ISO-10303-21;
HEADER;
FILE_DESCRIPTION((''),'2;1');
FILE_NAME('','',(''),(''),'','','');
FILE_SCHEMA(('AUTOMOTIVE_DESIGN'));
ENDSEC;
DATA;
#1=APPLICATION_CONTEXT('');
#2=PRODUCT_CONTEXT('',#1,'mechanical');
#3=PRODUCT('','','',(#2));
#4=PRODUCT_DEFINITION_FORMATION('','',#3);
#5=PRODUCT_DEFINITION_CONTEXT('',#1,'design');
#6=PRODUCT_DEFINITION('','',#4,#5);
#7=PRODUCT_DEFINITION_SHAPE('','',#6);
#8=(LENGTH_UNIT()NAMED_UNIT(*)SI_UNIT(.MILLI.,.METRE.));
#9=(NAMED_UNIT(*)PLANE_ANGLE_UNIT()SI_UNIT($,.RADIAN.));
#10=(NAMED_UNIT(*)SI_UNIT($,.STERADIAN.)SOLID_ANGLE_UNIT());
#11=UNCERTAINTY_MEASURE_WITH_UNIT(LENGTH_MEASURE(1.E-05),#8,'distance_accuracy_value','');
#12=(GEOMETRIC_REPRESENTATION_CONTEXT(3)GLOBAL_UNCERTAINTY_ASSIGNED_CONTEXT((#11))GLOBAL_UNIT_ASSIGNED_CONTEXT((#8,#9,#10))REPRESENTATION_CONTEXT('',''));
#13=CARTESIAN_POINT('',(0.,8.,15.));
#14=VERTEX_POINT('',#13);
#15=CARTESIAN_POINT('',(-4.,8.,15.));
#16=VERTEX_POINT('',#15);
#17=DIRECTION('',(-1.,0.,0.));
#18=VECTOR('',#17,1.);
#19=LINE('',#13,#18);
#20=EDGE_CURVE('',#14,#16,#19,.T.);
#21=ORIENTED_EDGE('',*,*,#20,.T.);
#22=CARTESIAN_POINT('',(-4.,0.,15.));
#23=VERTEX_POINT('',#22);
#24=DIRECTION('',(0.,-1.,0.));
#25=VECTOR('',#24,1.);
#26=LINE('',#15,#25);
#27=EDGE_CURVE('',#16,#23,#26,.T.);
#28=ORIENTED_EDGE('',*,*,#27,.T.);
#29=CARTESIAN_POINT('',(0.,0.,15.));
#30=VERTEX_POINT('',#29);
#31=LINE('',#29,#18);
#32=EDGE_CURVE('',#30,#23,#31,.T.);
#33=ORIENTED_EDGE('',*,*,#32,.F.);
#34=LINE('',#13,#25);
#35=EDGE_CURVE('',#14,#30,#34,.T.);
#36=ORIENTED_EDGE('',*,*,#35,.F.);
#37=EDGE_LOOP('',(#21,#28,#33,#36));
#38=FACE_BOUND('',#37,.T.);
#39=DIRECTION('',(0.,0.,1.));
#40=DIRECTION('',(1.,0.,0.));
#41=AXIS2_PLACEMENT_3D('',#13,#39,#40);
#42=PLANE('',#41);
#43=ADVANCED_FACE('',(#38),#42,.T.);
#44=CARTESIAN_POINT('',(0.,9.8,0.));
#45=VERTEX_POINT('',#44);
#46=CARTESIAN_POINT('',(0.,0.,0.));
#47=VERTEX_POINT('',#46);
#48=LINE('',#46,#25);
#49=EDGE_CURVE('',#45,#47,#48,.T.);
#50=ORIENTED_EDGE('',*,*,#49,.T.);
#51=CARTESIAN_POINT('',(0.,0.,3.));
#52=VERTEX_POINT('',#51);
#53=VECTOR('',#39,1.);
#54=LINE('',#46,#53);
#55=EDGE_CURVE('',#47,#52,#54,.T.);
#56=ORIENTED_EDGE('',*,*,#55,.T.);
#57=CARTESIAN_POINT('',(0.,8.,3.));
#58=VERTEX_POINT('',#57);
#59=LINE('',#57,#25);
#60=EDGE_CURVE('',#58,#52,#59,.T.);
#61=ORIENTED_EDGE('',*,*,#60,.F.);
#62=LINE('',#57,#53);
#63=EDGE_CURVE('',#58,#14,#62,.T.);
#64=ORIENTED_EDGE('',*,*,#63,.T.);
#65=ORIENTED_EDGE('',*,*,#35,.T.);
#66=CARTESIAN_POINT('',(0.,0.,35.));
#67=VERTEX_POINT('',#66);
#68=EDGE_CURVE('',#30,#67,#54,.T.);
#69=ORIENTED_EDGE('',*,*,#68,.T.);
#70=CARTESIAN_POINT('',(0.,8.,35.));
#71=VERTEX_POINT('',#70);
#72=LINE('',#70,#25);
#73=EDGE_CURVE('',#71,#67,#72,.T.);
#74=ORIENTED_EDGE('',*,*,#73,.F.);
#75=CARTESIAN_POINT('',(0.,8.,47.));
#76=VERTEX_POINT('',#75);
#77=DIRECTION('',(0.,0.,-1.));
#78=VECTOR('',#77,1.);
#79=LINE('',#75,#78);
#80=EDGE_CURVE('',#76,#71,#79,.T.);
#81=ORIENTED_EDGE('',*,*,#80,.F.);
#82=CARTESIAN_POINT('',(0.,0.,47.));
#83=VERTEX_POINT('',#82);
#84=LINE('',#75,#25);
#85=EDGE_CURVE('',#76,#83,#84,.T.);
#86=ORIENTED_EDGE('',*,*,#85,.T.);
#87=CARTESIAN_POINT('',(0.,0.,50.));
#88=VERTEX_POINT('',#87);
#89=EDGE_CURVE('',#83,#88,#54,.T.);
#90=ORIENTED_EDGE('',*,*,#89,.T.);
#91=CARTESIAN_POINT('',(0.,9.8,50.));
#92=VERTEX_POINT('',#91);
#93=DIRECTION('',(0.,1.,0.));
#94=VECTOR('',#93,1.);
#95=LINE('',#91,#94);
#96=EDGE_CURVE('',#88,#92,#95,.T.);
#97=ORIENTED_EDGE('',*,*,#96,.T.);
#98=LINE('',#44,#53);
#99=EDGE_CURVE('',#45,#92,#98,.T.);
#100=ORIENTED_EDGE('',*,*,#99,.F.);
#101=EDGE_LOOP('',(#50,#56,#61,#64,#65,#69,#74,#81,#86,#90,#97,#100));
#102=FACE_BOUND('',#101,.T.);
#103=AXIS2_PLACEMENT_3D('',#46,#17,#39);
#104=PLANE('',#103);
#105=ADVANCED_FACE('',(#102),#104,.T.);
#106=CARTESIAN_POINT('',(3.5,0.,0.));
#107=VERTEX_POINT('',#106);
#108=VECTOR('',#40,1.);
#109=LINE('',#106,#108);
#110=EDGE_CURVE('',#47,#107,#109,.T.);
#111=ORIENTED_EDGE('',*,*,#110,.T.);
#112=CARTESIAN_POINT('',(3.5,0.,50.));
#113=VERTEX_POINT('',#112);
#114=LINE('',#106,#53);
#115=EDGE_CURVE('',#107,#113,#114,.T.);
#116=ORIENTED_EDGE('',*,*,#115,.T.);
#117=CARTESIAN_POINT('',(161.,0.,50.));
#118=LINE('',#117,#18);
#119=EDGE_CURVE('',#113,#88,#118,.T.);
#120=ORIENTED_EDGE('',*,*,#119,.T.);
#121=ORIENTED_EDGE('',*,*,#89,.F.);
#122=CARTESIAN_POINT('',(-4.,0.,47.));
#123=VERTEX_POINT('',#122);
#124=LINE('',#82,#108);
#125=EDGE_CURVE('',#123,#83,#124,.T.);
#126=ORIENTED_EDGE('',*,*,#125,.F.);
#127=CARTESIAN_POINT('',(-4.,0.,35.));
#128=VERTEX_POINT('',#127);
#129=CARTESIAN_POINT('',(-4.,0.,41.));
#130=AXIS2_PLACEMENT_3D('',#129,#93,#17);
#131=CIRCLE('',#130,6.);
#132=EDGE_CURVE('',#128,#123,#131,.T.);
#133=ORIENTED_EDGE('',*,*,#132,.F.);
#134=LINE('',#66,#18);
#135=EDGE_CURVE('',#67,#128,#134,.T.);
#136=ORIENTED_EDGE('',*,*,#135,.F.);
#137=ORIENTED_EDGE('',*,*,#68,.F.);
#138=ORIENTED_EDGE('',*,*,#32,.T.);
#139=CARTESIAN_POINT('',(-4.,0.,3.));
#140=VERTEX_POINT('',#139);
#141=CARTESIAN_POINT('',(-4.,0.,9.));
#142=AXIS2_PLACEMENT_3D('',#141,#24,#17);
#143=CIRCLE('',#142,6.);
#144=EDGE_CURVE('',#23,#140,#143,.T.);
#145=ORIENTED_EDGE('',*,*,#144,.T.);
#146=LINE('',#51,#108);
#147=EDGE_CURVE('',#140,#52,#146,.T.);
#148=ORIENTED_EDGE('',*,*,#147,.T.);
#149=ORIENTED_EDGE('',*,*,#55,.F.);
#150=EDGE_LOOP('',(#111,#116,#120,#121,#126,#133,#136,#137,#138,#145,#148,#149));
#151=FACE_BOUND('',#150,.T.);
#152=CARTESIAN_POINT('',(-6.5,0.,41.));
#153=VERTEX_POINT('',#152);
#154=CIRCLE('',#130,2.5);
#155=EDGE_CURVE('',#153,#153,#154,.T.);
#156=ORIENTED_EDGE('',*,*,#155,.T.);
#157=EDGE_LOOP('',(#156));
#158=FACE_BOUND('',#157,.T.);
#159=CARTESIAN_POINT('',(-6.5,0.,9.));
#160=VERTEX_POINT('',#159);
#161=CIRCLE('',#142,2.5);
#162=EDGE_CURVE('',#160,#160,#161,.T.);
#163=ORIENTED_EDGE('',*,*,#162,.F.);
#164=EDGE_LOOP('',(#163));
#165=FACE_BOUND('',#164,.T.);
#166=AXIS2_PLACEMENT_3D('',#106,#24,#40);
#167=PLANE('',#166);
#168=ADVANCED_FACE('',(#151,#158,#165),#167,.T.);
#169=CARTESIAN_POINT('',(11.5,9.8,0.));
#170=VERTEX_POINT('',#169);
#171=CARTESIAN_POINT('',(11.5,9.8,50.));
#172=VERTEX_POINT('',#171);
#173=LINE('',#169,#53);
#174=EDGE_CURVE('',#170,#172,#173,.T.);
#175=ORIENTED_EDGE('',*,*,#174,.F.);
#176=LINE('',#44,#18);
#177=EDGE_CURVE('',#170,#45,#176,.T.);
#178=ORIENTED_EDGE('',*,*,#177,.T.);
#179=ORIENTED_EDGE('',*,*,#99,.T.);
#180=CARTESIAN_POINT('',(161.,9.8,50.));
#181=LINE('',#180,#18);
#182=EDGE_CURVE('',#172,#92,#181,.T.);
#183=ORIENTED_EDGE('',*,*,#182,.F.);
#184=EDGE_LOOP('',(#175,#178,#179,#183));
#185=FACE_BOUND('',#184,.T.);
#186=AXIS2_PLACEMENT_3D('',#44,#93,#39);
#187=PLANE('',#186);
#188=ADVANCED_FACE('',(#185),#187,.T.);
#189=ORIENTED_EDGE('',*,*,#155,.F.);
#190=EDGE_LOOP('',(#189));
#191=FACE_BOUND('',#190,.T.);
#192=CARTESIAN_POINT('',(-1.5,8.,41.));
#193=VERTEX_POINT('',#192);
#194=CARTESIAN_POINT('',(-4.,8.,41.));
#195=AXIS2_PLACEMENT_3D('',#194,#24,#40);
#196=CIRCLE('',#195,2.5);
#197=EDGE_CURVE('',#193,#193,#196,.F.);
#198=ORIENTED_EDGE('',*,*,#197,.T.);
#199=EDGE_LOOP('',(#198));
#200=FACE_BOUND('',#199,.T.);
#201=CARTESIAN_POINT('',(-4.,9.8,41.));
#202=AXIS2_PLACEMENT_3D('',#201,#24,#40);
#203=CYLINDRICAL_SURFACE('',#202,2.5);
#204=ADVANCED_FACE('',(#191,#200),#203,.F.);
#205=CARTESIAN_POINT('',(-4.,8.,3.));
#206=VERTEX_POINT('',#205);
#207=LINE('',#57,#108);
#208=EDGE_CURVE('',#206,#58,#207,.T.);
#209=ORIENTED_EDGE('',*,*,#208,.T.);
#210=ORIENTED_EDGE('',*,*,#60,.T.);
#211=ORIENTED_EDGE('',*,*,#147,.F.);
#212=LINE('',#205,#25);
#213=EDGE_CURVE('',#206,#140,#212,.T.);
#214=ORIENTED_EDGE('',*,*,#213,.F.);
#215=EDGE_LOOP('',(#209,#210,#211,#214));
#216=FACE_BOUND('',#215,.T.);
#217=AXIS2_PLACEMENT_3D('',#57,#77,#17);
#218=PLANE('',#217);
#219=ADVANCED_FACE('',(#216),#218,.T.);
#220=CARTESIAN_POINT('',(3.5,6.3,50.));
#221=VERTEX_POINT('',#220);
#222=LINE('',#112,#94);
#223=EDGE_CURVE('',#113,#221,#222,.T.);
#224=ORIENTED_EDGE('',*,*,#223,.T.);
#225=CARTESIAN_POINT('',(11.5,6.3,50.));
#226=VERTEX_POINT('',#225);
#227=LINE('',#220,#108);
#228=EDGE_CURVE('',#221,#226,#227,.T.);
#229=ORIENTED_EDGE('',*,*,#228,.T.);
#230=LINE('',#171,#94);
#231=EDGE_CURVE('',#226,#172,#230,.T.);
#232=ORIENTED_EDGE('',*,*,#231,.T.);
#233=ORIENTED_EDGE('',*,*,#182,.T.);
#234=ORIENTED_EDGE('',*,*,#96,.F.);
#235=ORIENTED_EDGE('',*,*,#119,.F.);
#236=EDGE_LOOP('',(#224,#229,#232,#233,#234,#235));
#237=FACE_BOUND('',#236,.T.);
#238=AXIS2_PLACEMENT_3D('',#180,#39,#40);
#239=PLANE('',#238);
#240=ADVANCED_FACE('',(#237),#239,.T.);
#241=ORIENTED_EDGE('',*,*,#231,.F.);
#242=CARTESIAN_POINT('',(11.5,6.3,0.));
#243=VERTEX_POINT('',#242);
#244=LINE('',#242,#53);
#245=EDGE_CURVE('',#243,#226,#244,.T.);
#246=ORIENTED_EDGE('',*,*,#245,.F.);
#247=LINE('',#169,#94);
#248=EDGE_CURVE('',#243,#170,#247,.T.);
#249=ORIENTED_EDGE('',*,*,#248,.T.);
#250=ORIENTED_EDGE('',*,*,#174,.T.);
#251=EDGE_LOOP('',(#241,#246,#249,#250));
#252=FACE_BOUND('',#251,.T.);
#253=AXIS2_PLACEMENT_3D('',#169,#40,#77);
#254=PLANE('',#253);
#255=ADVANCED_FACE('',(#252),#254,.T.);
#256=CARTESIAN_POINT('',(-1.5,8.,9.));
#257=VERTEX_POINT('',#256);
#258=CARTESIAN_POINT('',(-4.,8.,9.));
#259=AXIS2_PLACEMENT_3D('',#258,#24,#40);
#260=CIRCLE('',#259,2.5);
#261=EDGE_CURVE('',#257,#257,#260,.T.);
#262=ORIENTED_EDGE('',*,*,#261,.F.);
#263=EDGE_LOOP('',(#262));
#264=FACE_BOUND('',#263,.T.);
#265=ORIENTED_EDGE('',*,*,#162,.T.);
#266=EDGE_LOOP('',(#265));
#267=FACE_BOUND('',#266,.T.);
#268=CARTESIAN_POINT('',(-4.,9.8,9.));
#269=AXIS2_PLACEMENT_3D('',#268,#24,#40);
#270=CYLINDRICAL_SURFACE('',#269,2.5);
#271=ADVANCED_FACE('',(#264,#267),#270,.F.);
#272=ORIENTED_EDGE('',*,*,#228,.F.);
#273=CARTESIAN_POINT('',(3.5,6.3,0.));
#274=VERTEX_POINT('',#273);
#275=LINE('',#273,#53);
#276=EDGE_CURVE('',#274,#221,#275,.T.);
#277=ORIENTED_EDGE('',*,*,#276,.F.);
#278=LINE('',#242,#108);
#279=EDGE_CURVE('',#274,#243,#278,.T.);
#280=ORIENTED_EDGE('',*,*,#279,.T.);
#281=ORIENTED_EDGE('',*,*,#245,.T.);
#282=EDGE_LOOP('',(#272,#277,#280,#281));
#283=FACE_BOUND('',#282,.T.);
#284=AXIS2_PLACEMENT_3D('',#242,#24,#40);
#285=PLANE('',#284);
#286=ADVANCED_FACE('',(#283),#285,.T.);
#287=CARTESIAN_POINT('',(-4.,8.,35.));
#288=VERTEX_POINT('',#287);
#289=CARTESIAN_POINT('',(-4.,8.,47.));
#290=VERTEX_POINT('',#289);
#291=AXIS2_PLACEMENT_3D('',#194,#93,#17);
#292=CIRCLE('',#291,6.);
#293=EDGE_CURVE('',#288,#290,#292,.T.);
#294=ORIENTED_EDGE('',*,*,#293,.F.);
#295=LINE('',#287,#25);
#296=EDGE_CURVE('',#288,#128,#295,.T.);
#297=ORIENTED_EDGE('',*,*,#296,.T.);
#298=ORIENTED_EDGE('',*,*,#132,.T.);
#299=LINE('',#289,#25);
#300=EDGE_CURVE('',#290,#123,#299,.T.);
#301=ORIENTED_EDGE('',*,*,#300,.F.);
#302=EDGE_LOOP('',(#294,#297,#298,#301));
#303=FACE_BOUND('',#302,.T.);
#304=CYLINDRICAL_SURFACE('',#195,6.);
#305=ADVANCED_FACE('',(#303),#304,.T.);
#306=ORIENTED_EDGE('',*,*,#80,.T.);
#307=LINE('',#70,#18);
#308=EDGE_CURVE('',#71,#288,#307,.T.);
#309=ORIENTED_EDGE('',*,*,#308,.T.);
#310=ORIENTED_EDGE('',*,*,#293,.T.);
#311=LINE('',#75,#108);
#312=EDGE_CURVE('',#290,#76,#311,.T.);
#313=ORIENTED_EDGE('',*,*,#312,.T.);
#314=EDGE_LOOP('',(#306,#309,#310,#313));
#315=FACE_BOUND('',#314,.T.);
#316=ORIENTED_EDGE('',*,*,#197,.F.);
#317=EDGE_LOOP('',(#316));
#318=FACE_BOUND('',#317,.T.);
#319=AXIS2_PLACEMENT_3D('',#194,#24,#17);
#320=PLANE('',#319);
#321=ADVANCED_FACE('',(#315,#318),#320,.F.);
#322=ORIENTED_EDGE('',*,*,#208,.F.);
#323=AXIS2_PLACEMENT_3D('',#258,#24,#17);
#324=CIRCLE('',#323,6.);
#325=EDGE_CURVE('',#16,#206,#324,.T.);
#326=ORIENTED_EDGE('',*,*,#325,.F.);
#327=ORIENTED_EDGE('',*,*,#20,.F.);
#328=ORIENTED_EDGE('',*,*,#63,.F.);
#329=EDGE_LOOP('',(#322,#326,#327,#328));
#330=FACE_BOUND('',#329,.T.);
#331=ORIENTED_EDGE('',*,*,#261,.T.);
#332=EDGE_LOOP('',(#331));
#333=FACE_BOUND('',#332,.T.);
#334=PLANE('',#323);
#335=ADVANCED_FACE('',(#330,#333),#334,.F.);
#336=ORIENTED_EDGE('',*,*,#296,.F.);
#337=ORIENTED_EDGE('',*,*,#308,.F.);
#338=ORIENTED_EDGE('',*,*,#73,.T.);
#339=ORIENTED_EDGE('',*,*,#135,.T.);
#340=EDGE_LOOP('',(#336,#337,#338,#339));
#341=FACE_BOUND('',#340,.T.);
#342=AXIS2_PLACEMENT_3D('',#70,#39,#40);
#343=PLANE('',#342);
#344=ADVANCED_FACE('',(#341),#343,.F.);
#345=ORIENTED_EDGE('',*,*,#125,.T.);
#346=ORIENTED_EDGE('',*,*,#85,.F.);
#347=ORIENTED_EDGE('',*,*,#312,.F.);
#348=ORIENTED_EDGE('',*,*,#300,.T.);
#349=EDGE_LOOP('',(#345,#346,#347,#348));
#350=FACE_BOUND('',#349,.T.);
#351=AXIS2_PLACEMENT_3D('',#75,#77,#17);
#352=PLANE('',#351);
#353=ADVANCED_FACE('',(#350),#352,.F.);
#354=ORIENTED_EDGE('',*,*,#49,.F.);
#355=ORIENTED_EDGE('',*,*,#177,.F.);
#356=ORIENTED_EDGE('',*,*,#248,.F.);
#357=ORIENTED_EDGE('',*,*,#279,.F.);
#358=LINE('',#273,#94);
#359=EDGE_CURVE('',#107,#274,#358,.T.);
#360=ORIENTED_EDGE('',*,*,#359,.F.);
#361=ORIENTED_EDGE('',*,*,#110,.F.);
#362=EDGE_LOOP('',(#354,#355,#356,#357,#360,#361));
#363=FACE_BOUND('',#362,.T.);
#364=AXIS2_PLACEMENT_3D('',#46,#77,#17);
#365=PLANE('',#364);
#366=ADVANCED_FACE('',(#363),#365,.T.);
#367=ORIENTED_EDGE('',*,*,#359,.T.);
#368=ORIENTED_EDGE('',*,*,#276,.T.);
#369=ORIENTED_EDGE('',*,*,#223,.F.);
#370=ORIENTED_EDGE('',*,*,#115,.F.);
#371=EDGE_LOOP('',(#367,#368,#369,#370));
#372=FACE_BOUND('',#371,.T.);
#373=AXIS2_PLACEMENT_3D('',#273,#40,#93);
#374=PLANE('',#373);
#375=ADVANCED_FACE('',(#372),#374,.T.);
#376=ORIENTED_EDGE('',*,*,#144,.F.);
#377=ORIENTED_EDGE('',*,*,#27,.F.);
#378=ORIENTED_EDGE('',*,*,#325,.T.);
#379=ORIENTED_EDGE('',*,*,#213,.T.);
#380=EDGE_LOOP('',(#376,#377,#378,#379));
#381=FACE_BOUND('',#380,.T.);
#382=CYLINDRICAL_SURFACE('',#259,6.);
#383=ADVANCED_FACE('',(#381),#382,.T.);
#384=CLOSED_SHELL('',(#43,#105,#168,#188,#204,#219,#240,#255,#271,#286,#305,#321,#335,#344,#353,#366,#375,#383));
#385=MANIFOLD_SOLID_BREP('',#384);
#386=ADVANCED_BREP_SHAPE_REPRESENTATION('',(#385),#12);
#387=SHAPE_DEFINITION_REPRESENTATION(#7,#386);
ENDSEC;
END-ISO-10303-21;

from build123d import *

# Parameters (mm, degrees)
CROQUIS4_W                = 13
CROQUIS4_H                = 9.8
SALIENTE_EXTRUIR1_DEPTH   = 161
CROQUIS5_W                = 151
CROQUIS5_H                = 3.5
CORTAR_EXTRUIR1_DEPTH     = 6.3
SALIENTE_EXTRUIR3_DEPTH   = 8
CROQUIS9_R                = 2.5
CORTAR_EXTRUIR3_DEPTH     = 179.42936978
SIMETR_A8_COPY_1_DEPTH    = 8
SIMETR_A8_COPY_2_SKETCH_R = 2.5
SIMETR_A8_COPY_2_DEPTH    = 179.42936978
CROQUIS10_R               = 2.5
CORTAR_EXTRUIR4_DEPTH     = 179.42936978
MATRIZL1_COUNT            = 3
MATRIZL1_PITCH            = 40.5
CROQUIS11_W               = 64.853728184
CROQUIS11_H               = 22.965019475
CORTAR_EXTRUIR5_DEPTH     = 168.44040731
CROQUIS12_W               = 8
CROQUIS12_H               = 6.3
CORTAR_EXTRUIR6_DEPTH     = 44.226612174


with BuildPart() as part:
    # Barrer1: sweep along a path in Croquis3
    with BuildLine(Plane(origin=(0, 0, 0), x_dir=(1, 0, 0), z_dir=(0, 1, 0))) as barrer1_path:
        Line((0, 0), (0, -37))
    # Croquis1 → Barrer1 (sweep)
    with BuildSketch(Plane.XY):
        Polygon((0, 0), (0, 9.8), (11.5, 9.8), (11.5, 6.3), (3.5, 6.3), (3.5, 0), align=None)
    barrer1 = sweep(path=barrer1_path.line)

    # Croquis4 → Saliente-Extruir1 (add)
    with BuildSketch(Plane.ZY):
        with Locations((43.5, 4.9)):
            Rectangle(CROQUIS4_W, CROQUIS4_H)
    extrude(amount=-SALIENTE_EXTRUIR1_DEPTH)

    # Simetría5: Barrer1 across plane
    add(barrer1.mirror(Plane.ZY.offset(-80.5)))

    # Croquis5 → Cortar-Extruir1 (cut)
    with BuildSketch(Plane.XZ):
        with Locations((79, 38.75)):
            Rectangle(CROQUIS5_W, CROQUIS5_H)
    extrude(amount=-CORTAR_EXTRUIR1_DEPTH, mode=Mode.SUBTRACT)

    # Croquis8 → Saliente-Extruir3 (add)
    with BuildSketch(Plane.XZ):
        with BuildLine():
            Line((161, 47), (165, 47))
            ThreePointArc((165, 47), (171, 41), (165, 35))
            Line((165, 35), (161, 35))
            Line((161, 35), (161, 47))
        make_face()
    saliente_extruir3 = extrude(amount=-SALIENTE_EXTRUIR3_DEPTH)

    # Croquis9 → Cortar-Extruir3 (cut, through all)
    with BuildSketch(Plane.XZ):
        with Locations((165, 41)):
            Circle(CROQUIS9_R)
    cortar_extruir3 = extrude(amount=-CORTAR_EXTRUIR3_DEPTH, mode=Mode.SUBTRACT)

    # Simetría7: Saliente-Extruir3, Cortar-Extruir3 across plane
    add(saliente_extruir3.mirror(Plane(origin=(0, 0, 25), x_dir=(1, 0, 0), z_dir=(0, 0, -1))))
    add(cortar_extruir3.mirror(Plane(origin=(0, 0, 25), x_dir=(1, 0, 0), z_dir=(0, 0, -1))), mode=Mode.SUBTRACT)

    # Simetría8: Saliente-Extruir3, Cortar-Extruir3 across plane
    add(saliente_extruir3.mirror(Plane.ZY.offset(-80.5)))
    add(cortar_extruir3.mirror(Plane.ZY.offset(-80.5)), mode=Mode.SUBTRACT)

    # Simetría8 copy 1 sketch → Simetría8 copy 1 (add)
    with BuildSketch(Plane(origin=(161, 0, 50), x_dir=(-1, 0, 0), z_dir=(0, -1, 0))):
        with BuildLine():
            Line((161, 47), (165, 47))
            ThreePointArc((165, 47), (171, 41), (165, 35))
            Line((165, 35), (161, 35))
            Line((161, 35), (161, 47))
        make_face()
    extrude(amount=-SIMETR_A8_COPY_1_DEPTH)

    # Simetría8 copy 2 sketch → Simetría8 copy 2 (cut, through all)
    with BuildSketch(Plane(origin=(161, 0, 50), x_dir=(-1, 0, 0), z_dir=(0, -1, 0))):
        with Locations((165, 41)):
            Circle(SIMETR_A8_COPY_2_SKETCH_R)
    extrude(amount=-SIMETR_A8_COPY_2_DEPTH, mode=Mode.SUBTRACT)

    # Croquis10 → Cortar-Extruir4 (cut, through all)
    with BuildSketch(Plane(origin=(0, 9.8, 0), x_dir=(1, 0, 0), z_dir=(0, 1, 0))):
        with Locations(Location((121, -45.25, 0), (0, 0, 270))):
            Circle(CROQUIS10_R)
    cortar_extruir4 = extrude(amount=-CORTAR_EXTRUIR4_DEPTH, mode=Mode.SUBTRACT)

    # MatrizL1: Cortar-Extruir4 ×3
    with Locations(*[(-i * MATRIZL1_PITCH, 0, 0) for i in range(1, MATRIZL1_COUNT)]):
        add(cortar_extruir4, mode=Mode.SUBTRACT)

    # Croquis11 → Cortar-Extruir5 (cut, through all)
    with BuildSketch(Plane(origin=(11.5, 0, 0), x_dir=(0, 0, -1), z_dir=(1, 0, 0))):
        with Locations((-26.956517022, 7.895183468)):
            Rectangle(CROQUIS11_W, CROQUIS11_H)
    extrude(amount=CORTAR_EXTRUIR5_DEPTH, mode=Mode.SUBTRACT)

    # Croquis12 → Cortar-Extruir6 (cut, through all)
    with BuildSketch(Plane(origin=(0, 0, 40.5), x_dir=(-1, 0, 0), z_dir=(0, 0, -1))):
        with Locations((-7.5, 3.15)):
            Rectangle(CROQUIS12_W, CROQUIS12_H)
    extrude(amount=-CORTAR_EXTRUIR6_DEPTH, mode=Mode.SUBTRACT)


solid = part.part
